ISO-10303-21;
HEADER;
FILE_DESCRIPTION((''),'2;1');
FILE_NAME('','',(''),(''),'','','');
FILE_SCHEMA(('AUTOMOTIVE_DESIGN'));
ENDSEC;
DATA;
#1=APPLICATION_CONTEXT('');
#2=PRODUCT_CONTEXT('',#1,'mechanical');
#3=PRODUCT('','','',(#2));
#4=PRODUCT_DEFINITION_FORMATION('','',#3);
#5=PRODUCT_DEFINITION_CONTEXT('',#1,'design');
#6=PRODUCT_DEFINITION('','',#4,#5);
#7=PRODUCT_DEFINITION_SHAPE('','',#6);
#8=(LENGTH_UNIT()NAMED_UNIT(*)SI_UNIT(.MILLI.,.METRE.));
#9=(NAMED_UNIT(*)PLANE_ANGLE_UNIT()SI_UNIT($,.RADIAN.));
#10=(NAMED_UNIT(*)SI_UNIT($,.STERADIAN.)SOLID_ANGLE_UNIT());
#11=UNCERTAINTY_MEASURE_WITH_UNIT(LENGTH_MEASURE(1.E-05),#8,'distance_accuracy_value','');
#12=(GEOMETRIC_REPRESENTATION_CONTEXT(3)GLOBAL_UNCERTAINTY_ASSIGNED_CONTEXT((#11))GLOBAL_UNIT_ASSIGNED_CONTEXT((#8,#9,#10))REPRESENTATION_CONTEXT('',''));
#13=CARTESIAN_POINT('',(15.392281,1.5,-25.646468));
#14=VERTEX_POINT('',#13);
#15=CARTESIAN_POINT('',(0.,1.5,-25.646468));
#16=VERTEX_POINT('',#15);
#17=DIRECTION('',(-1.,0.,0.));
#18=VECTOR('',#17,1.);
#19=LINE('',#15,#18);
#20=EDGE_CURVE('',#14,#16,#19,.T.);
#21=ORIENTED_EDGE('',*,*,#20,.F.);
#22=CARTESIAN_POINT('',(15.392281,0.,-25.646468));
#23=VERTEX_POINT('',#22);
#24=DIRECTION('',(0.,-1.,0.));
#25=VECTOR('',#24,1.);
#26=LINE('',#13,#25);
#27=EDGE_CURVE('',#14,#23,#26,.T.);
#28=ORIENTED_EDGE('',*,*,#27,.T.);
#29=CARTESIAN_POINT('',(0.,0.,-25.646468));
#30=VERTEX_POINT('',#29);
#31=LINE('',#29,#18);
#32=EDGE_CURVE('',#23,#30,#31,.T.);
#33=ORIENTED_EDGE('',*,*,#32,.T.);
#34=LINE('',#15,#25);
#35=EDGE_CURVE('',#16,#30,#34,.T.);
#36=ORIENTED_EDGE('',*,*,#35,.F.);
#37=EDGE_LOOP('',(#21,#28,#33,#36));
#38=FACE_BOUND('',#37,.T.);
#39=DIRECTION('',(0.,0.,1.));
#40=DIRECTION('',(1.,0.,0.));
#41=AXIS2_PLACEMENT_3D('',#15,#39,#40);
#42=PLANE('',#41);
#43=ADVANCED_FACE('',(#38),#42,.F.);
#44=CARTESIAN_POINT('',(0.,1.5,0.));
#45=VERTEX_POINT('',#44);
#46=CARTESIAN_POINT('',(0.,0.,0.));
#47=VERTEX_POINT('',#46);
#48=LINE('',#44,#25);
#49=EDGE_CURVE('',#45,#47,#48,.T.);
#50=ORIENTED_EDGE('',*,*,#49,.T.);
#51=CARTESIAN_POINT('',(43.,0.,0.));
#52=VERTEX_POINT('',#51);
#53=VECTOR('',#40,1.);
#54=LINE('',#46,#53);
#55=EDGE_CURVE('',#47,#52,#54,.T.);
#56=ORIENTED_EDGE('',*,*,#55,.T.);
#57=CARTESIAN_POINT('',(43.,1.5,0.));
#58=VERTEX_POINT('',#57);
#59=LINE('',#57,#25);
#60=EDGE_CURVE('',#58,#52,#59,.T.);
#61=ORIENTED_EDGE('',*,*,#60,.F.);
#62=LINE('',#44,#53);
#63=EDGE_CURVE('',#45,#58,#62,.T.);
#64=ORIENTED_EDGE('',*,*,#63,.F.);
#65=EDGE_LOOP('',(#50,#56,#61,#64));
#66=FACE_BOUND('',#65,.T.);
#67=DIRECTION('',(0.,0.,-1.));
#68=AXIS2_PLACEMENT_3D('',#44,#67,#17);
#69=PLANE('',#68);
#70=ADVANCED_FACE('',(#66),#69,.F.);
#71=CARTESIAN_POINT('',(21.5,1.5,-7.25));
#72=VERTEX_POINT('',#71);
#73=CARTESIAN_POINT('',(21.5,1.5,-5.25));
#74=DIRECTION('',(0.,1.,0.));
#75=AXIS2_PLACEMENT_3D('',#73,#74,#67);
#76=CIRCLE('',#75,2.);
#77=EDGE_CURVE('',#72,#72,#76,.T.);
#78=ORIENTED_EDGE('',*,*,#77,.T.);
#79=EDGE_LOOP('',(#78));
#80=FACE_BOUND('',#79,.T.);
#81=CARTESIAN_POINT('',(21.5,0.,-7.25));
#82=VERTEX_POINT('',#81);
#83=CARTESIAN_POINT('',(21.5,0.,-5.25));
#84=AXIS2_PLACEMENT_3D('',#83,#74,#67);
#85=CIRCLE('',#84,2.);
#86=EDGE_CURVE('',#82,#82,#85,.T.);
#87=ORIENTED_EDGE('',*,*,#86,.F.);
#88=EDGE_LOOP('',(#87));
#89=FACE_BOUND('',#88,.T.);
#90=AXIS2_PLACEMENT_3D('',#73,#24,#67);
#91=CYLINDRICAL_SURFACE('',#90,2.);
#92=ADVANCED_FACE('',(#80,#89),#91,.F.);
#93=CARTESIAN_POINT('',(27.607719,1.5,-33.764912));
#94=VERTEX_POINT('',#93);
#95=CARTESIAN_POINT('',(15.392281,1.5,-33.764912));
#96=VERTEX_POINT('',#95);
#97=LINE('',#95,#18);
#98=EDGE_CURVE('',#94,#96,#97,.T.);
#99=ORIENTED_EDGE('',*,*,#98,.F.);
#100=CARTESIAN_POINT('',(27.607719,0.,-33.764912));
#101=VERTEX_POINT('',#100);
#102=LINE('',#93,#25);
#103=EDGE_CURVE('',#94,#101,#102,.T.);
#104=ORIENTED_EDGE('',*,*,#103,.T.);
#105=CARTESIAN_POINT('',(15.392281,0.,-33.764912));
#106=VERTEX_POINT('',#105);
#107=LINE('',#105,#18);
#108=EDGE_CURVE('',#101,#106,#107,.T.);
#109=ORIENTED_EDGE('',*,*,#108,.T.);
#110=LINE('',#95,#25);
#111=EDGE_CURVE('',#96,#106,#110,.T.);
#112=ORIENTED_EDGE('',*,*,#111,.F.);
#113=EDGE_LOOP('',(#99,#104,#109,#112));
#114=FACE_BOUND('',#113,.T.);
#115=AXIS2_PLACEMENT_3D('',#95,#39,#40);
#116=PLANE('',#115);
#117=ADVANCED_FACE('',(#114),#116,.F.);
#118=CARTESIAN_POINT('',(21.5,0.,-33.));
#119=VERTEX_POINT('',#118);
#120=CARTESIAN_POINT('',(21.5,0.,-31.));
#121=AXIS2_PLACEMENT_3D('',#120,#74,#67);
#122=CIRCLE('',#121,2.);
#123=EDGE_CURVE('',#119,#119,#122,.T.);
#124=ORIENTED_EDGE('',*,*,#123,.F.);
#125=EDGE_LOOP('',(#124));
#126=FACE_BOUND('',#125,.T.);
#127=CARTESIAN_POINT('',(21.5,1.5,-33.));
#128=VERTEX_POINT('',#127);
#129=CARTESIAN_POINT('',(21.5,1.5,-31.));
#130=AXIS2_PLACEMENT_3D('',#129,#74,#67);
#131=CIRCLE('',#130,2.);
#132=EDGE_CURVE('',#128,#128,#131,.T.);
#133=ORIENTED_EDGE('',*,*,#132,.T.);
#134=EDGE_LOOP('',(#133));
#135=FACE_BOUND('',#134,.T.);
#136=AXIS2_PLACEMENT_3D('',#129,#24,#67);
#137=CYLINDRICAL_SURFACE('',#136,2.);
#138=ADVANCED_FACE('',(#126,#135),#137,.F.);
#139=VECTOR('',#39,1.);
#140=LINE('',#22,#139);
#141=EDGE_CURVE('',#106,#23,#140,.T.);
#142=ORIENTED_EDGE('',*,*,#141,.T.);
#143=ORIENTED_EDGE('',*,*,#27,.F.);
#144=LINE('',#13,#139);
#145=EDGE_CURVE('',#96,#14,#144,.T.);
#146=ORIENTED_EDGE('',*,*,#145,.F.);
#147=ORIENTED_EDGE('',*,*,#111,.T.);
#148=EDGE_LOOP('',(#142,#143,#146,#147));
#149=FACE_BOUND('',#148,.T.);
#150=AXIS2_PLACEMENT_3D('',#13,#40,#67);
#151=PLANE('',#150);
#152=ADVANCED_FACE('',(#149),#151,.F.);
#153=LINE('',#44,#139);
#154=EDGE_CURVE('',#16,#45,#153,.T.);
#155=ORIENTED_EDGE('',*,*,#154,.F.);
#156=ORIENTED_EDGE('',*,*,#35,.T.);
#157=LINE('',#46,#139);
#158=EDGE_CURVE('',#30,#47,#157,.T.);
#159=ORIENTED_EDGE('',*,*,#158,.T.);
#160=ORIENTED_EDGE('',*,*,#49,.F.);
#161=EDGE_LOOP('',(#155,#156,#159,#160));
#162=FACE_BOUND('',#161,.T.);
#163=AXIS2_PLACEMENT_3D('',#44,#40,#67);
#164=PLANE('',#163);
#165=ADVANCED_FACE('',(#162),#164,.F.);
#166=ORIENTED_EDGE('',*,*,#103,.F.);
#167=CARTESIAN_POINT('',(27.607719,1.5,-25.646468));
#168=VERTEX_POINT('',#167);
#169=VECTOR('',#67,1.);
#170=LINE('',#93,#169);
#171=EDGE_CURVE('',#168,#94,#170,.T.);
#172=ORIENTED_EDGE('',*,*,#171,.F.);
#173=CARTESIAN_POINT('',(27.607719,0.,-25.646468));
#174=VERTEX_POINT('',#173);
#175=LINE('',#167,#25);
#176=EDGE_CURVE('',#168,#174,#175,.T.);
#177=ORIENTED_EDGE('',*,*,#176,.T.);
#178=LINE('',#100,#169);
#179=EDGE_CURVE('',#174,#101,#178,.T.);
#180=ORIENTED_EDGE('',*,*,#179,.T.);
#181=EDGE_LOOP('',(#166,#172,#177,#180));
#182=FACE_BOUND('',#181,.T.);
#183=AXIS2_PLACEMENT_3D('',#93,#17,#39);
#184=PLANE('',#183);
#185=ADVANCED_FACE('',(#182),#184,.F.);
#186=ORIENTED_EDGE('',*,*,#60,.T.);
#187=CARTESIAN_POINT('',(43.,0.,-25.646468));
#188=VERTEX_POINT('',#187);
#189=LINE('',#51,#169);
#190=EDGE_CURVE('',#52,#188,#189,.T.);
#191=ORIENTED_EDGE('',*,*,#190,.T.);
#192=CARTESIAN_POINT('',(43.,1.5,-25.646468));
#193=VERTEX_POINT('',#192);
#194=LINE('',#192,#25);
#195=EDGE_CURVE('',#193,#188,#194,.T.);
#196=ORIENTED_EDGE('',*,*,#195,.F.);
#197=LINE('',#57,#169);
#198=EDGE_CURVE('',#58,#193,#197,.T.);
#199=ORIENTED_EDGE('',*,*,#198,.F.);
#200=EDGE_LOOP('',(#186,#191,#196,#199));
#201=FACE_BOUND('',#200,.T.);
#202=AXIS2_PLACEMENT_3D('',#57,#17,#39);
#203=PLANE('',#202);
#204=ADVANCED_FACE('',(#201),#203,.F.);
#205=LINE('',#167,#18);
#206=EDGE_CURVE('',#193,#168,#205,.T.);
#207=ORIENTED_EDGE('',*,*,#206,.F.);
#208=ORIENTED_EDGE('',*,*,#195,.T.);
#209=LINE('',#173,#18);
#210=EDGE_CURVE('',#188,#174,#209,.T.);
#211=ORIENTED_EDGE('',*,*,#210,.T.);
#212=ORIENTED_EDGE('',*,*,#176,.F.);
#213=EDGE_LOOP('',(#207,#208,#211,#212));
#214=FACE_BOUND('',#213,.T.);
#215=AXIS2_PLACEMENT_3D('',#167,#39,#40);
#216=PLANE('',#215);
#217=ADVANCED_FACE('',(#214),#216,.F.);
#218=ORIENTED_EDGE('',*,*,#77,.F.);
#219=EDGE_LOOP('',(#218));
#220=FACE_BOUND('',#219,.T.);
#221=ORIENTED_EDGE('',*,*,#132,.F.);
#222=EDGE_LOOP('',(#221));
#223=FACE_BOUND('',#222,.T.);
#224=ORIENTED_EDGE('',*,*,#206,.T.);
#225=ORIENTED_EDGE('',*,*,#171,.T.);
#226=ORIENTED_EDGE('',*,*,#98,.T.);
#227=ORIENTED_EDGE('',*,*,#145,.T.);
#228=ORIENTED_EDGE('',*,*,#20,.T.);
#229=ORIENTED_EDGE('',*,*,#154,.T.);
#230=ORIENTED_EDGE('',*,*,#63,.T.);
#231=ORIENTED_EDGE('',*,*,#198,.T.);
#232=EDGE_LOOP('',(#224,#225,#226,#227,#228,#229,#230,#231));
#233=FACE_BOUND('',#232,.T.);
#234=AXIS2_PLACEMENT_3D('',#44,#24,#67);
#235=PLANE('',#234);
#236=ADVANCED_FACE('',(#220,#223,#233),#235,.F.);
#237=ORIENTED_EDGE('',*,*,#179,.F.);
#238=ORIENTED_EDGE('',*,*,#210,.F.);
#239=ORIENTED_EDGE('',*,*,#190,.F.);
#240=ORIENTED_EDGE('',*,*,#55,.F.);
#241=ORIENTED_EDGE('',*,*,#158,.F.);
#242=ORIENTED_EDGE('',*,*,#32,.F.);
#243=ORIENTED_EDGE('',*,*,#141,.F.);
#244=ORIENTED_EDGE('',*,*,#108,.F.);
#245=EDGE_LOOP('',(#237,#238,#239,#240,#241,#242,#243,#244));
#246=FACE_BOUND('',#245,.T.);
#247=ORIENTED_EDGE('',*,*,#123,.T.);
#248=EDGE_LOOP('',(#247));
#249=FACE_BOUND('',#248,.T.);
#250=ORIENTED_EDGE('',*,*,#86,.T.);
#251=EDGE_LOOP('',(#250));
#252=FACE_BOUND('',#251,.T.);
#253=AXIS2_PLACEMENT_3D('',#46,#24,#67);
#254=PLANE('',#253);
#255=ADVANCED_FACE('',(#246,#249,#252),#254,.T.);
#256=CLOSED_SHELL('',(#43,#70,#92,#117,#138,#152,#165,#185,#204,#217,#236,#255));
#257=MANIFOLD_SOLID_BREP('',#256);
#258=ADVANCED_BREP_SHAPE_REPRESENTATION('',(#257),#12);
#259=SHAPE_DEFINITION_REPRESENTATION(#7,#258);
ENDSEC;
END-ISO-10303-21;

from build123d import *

# Parameters (mm, degrees)
SKETCH_1_R      = 2
EXTRUDE_1_DEPTH = 1.5


with BuildPart() as part:
    # Эскиз1 → Бобышка-Вытянуть1 (new body)
    with BuildSketch(Plane(origin=(0, 0, 0), x_dir=(1, 0, 0), z_dir=(0, 1, 0))):
        Polygon((0, 25.646468405), (15.392280685, 25.646468405), (15.392280685, 33.764912407), (27.607719315, 33.764912407), (27.607719315, 25.646468405), (43, 25.646468405), (43, 0), (0, 0), align=None)
        with Locations((21.5, 5.25)):
            Circle(SKETCH_1_R, mode=Mode.SUBTRACT)
        with Locations((21.5, 31)):
            Circle(SKETCH_1_R, mode=Mode.SUBTRACT)
    extrude(amount=EXTRUDE_1_DEPTH)


solid = part.part
